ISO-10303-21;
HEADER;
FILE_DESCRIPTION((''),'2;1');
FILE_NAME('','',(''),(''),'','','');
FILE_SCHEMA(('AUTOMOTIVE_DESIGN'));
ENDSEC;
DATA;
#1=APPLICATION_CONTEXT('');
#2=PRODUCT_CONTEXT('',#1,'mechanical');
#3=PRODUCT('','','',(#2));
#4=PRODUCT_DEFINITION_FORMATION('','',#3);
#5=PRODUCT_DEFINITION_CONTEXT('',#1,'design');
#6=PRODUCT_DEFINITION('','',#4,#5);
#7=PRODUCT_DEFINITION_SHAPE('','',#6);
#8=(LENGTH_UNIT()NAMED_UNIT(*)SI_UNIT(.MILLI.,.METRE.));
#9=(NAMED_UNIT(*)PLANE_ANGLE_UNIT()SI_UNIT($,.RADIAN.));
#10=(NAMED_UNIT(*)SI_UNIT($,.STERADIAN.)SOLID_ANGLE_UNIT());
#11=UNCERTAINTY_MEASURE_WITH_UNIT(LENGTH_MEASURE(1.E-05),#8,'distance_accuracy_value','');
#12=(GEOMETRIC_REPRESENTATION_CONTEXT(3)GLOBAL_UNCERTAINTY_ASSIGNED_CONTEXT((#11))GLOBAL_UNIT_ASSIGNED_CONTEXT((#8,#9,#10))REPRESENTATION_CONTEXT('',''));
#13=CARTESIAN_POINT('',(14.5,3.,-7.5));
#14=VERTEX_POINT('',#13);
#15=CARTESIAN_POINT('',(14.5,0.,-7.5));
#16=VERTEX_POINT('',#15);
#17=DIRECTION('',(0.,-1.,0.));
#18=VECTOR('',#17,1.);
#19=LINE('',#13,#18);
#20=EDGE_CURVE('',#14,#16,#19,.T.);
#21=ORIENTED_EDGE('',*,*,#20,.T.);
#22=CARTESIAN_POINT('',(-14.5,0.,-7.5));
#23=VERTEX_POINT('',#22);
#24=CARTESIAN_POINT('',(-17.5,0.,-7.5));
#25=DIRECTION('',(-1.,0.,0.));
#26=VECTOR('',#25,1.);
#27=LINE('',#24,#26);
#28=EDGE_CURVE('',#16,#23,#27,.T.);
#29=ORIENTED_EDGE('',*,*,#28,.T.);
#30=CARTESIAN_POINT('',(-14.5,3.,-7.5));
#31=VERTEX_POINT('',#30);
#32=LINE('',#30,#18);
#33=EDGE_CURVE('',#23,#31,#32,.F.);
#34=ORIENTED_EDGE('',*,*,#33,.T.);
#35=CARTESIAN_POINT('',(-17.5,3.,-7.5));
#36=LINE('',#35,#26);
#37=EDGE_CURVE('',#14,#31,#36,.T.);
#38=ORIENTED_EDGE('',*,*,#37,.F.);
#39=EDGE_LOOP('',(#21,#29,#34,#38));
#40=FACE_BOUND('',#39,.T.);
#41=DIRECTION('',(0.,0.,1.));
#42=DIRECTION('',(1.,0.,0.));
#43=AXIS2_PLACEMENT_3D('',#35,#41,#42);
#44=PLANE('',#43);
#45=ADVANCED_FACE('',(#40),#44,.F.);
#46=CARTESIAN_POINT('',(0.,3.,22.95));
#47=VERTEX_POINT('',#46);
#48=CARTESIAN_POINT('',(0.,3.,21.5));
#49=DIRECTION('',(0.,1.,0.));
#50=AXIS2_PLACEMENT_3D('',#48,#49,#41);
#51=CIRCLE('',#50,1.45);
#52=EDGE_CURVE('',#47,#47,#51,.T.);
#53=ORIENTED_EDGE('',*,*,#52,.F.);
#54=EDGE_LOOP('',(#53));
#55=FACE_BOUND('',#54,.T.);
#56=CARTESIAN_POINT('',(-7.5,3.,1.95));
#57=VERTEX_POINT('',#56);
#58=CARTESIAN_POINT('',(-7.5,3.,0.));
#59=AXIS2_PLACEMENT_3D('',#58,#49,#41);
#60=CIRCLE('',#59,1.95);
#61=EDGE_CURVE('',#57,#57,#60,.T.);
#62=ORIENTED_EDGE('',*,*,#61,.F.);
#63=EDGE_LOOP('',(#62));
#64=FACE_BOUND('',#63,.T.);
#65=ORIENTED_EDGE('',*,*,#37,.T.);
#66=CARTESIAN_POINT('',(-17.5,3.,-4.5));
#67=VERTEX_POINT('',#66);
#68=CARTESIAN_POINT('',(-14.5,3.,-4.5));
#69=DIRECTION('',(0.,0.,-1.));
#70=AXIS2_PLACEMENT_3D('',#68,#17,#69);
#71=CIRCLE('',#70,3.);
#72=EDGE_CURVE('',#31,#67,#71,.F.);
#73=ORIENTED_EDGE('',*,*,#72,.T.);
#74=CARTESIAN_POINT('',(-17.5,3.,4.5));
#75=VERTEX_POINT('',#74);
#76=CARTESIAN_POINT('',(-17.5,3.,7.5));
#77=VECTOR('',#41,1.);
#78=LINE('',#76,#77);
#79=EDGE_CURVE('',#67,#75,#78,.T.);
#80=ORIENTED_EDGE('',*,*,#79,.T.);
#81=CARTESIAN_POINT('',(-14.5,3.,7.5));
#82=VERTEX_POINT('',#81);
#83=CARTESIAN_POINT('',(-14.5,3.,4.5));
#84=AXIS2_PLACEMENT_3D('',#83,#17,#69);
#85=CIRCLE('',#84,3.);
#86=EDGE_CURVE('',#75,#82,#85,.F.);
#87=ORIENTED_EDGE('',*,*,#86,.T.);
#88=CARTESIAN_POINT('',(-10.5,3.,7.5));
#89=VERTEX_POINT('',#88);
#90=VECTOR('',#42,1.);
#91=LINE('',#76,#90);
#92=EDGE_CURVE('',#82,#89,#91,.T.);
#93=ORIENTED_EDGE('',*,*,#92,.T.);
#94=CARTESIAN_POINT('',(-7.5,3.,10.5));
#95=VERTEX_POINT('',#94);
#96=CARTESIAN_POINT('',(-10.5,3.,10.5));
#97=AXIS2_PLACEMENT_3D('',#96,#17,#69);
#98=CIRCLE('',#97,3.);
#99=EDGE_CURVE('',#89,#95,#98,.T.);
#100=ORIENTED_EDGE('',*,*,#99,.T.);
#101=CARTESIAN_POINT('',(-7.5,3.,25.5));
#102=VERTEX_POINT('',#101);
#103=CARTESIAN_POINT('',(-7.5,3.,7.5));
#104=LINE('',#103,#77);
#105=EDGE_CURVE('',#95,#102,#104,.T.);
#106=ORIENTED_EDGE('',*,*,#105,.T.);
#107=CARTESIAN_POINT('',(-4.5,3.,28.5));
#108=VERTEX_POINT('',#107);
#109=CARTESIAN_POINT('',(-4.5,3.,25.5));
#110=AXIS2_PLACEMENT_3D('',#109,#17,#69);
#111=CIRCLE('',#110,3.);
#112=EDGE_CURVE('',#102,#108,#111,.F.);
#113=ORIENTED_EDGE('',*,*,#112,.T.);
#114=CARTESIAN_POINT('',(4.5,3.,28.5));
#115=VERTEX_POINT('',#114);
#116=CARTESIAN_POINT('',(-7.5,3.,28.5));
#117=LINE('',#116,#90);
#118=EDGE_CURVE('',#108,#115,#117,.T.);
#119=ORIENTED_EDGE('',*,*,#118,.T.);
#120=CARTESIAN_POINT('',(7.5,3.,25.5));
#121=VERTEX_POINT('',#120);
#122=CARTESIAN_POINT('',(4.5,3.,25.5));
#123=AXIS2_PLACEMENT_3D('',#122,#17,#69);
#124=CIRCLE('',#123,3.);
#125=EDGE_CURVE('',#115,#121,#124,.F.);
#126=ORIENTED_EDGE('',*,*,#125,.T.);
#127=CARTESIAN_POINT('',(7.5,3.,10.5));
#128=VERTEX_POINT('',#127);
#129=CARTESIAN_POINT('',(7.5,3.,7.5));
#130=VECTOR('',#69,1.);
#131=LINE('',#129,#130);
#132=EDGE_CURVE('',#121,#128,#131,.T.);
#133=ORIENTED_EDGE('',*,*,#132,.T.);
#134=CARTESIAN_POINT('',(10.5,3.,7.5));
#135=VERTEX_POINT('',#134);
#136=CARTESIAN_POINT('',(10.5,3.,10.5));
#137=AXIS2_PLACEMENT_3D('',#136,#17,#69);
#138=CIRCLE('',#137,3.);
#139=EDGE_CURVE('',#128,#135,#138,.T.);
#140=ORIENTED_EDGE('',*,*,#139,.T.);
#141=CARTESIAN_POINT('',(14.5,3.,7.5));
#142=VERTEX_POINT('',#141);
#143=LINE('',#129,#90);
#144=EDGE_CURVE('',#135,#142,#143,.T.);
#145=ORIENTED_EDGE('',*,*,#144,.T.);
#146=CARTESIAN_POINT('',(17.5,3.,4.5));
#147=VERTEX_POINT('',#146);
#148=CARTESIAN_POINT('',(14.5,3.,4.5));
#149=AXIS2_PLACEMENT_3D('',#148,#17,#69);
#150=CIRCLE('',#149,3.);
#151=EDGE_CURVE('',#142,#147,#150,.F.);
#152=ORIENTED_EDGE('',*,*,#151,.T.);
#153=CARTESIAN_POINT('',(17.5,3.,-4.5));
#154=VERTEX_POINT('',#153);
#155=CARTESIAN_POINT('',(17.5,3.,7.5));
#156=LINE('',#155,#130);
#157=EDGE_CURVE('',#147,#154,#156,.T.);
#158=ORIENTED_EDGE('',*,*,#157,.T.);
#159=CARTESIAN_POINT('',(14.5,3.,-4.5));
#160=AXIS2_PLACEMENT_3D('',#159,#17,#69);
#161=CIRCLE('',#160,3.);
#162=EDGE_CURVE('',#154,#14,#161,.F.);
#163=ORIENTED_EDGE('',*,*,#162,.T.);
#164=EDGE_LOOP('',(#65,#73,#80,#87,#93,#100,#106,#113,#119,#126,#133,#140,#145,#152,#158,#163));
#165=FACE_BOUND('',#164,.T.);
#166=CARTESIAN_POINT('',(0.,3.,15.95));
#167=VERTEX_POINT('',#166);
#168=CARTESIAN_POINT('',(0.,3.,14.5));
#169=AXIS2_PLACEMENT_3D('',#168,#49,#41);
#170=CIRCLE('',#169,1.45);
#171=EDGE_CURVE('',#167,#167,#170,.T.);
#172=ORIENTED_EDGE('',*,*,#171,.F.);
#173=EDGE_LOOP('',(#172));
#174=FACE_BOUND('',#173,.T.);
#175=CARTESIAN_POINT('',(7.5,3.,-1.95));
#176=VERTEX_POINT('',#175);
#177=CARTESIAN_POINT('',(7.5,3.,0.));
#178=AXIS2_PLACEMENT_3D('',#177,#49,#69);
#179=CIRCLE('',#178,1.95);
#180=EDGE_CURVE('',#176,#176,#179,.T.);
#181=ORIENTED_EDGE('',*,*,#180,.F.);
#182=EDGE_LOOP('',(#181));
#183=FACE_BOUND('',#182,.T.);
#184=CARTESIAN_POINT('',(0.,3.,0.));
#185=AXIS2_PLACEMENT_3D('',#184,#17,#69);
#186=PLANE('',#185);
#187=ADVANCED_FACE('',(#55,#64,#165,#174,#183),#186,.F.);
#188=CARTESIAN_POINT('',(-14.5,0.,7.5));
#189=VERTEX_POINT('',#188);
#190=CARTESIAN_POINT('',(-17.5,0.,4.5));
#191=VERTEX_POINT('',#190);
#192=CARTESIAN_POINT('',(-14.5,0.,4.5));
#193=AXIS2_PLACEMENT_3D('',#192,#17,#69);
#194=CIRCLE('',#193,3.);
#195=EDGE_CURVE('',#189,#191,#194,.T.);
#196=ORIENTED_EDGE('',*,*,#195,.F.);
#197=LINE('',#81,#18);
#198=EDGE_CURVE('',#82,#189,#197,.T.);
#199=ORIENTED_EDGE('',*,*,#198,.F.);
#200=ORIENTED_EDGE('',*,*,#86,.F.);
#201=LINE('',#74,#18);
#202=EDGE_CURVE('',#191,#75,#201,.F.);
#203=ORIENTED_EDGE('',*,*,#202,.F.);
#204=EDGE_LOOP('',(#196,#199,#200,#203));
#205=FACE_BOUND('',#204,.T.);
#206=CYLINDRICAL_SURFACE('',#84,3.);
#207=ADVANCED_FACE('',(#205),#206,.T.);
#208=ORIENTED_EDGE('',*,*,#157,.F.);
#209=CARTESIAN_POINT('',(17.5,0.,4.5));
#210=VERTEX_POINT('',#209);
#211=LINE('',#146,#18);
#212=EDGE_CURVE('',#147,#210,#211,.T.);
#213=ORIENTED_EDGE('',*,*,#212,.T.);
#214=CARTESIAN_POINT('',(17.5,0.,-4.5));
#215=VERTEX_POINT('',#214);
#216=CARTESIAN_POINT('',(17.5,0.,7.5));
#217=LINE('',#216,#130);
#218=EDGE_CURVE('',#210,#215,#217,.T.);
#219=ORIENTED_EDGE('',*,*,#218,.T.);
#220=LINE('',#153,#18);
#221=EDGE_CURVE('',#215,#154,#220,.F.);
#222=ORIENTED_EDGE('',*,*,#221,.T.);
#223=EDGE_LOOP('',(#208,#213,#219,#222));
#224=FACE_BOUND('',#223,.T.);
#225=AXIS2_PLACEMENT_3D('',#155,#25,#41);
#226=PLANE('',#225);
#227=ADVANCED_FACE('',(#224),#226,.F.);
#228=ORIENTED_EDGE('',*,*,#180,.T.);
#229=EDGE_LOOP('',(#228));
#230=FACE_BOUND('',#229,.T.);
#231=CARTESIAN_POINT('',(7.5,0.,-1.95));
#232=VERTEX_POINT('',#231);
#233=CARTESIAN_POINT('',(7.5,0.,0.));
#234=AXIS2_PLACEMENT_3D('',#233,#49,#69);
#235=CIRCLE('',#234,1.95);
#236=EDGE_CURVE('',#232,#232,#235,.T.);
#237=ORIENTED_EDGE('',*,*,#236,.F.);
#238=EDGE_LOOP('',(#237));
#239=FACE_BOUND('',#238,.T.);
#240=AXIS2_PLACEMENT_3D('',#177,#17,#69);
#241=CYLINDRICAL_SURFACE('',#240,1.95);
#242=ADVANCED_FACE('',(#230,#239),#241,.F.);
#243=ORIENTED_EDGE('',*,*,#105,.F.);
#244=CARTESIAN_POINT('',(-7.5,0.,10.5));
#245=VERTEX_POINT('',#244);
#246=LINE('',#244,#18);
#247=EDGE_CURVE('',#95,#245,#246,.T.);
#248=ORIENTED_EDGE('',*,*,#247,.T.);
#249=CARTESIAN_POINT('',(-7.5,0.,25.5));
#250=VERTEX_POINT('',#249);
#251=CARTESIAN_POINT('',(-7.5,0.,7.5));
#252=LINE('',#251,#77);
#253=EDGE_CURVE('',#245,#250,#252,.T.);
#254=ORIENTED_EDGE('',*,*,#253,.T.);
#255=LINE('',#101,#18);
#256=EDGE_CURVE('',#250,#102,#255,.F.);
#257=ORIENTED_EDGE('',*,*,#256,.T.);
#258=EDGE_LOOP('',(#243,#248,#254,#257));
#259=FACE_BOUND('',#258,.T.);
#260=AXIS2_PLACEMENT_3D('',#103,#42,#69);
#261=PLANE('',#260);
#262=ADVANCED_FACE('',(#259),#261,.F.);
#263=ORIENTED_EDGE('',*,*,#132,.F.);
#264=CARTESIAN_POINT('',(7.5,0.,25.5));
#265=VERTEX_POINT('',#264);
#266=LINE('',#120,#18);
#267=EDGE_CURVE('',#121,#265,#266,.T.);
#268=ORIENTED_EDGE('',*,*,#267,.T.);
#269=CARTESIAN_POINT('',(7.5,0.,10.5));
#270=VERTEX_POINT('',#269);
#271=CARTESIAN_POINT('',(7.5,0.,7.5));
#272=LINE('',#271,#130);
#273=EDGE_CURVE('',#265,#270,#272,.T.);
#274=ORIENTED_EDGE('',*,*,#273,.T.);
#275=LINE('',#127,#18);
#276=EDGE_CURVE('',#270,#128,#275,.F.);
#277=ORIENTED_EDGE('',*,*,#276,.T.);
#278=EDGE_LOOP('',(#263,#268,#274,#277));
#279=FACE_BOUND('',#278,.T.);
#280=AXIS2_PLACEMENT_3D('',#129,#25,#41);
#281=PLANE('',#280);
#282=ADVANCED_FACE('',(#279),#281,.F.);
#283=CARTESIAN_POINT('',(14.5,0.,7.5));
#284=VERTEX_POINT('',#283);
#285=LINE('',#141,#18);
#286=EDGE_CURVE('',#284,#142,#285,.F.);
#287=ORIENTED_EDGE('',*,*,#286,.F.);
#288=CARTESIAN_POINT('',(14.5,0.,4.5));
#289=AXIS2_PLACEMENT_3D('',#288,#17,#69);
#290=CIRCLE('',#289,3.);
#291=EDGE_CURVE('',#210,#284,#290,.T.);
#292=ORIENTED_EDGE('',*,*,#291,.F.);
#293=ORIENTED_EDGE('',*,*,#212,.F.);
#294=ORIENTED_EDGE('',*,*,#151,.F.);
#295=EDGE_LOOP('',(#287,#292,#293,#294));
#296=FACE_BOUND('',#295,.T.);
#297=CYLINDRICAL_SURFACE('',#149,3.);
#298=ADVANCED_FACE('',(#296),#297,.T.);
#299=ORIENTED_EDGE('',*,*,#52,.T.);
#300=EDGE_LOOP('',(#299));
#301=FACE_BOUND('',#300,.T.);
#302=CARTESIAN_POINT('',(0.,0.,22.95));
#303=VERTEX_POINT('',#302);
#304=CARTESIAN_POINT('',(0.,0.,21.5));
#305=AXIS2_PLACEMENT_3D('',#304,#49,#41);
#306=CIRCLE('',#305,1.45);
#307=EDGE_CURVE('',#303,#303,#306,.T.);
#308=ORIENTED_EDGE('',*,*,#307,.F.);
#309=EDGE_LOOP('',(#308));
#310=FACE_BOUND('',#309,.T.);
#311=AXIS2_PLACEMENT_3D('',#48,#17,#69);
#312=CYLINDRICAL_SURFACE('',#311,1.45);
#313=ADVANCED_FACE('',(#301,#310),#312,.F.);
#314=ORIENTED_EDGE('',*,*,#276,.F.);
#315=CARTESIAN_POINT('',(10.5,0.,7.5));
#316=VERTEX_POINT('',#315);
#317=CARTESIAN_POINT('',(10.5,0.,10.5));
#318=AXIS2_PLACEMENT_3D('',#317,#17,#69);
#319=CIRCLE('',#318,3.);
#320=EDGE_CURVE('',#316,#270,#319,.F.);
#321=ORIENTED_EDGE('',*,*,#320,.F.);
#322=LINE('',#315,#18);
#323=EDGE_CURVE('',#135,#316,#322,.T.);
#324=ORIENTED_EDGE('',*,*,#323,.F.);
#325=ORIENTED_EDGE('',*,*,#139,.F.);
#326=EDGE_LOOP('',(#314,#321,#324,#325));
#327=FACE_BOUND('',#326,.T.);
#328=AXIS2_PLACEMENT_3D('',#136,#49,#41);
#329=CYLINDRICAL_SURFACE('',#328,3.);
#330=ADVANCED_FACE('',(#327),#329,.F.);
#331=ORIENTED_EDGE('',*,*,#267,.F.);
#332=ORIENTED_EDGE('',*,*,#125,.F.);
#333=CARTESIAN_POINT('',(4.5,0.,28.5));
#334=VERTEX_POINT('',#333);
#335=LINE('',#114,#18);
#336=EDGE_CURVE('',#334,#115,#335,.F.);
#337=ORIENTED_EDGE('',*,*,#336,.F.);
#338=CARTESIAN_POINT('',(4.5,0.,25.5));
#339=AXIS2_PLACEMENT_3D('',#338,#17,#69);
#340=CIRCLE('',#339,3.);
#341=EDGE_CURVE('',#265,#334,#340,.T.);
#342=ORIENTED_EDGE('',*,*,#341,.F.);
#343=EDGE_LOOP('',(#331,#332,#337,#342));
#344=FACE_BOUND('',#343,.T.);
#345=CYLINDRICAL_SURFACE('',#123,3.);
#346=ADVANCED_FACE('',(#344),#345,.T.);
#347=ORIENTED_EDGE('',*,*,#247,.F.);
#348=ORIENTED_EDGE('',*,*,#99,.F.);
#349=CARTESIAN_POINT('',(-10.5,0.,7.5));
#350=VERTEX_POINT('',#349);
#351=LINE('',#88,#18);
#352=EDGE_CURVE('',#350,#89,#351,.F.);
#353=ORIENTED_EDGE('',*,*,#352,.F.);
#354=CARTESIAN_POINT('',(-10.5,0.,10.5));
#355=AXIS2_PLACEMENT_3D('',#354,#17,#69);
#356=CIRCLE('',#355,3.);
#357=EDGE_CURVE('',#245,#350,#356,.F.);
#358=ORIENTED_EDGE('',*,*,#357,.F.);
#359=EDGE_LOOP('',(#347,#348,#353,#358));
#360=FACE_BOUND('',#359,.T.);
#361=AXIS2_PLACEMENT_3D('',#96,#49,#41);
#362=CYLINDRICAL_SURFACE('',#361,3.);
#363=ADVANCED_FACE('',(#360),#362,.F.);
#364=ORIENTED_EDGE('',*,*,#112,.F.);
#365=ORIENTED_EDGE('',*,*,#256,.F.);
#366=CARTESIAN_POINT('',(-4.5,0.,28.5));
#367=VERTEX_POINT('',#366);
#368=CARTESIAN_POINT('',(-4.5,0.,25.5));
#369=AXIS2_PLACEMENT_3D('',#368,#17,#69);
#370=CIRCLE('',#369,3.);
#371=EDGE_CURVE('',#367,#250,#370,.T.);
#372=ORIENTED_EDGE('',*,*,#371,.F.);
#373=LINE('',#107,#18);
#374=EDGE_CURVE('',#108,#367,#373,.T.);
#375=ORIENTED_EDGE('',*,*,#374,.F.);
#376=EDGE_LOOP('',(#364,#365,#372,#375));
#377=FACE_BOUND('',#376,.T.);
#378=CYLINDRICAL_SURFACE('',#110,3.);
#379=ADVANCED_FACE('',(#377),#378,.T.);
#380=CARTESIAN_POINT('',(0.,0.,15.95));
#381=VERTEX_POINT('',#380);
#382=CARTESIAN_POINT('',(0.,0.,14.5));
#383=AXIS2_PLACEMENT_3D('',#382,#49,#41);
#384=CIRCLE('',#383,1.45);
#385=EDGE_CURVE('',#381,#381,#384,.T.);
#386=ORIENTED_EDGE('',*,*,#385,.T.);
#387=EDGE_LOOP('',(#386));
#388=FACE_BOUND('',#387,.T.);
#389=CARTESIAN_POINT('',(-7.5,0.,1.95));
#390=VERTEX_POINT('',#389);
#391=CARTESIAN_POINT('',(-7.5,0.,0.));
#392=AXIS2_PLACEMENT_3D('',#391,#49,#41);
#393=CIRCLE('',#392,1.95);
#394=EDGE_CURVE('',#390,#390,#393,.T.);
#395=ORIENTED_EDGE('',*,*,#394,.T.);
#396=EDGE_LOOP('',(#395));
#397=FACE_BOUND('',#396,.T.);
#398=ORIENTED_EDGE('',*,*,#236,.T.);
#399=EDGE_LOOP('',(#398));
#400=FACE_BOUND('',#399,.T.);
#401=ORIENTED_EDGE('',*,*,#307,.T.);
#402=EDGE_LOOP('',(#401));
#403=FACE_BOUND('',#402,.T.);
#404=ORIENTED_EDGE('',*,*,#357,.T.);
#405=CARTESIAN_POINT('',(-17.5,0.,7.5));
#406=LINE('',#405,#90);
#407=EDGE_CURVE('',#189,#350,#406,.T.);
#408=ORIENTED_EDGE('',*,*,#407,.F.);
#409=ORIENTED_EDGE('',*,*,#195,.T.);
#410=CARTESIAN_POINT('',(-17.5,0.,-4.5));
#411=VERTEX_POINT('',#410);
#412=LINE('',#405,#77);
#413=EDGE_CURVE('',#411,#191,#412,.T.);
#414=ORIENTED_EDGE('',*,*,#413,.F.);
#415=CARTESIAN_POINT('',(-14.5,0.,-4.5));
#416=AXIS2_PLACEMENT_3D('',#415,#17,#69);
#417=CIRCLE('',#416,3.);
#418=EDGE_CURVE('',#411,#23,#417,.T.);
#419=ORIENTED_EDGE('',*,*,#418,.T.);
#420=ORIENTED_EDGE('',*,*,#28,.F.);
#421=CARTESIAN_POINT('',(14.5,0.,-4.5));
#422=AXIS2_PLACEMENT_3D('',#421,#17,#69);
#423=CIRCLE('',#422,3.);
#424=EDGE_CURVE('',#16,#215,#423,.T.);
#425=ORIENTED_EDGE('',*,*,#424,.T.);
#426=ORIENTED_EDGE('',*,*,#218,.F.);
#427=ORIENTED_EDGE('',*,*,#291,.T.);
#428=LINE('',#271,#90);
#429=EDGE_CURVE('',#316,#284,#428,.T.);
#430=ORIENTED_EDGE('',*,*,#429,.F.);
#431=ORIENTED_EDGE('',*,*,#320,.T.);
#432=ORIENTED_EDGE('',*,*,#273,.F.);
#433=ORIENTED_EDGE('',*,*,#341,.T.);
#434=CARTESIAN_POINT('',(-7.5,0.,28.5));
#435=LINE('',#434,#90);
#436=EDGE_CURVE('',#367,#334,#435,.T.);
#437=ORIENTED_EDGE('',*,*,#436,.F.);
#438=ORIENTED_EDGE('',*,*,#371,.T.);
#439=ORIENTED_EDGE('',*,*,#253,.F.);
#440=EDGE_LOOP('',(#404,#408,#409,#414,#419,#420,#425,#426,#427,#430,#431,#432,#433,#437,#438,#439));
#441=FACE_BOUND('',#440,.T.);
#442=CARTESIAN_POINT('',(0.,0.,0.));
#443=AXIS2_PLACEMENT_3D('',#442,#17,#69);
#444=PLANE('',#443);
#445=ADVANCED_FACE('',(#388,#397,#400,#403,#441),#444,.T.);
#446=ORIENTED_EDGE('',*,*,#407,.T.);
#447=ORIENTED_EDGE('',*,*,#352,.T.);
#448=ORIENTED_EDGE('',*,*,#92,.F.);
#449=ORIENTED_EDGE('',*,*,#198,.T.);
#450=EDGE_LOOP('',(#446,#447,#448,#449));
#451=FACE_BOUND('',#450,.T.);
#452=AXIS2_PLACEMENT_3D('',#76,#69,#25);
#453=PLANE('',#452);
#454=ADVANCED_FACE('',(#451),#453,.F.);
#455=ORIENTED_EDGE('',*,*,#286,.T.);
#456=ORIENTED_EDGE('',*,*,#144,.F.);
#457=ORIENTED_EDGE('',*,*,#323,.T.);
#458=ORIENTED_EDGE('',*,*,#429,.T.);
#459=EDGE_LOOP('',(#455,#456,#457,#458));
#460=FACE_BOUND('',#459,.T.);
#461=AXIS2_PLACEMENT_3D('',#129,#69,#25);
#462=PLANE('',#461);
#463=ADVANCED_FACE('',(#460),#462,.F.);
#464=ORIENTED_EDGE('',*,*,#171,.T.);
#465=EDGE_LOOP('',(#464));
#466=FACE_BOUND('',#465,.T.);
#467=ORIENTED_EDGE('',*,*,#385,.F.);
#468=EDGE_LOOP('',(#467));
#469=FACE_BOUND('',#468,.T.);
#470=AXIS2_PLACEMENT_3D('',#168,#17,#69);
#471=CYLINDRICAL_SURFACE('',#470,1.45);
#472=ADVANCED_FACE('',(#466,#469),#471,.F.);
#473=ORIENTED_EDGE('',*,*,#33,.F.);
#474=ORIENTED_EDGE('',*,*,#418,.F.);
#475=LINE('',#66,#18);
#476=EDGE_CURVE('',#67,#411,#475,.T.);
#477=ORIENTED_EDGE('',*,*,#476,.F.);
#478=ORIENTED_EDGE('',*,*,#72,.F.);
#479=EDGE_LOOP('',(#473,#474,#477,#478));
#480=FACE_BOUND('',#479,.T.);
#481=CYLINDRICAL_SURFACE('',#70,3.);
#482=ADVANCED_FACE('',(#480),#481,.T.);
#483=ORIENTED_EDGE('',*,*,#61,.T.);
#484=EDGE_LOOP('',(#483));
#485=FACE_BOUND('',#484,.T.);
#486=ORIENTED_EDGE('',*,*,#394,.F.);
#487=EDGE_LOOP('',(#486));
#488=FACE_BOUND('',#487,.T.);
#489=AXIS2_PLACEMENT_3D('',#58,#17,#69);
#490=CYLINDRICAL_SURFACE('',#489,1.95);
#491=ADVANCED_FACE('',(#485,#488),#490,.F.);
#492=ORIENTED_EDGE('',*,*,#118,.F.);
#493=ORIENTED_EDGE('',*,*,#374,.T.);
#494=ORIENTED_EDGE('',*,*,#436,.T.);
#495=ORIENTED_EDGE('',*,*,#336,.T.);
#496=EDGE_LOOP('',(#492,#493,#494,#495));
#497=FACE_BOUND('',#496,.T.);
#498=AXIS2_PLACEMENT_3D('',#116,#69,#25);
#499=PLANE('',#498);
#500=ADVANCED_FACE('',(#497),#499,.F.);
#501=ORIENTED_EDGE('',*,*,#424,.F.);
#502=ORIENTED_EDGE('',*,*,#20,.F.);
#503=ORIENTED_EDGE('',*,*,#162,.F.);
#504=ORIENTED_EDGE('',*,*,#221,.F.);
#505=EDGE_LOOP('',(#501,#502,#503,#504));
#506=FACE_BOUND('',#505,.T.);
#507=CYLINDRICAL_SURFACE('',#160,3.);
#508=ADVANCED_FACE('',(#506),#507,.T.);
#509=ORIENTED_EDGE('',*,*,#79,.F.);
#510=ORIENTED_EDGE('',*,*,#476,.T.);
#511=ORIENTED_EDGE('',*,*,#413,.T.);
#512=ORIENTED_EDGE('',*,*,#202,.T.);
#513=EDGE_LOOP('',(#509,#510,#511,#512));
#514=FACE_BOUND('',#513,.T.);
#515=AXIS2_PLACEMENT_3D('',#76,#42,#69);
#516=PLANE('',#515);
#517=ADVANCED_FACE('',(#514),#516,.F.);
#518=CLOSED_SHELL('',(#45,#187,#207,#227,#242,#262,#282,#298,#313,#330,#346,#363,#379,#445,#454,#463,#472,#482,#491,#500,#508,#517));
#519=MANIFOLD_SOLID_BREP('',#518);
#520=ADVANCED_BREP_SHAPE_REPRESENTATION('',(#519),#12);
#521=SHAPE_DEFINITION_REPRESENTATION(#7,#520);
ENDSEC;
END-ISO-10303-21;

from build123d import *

# Parameters (mm, degrees)
SKETCH_1_R      = 1.45
SKETCH_1_R_2    = 1.95
EXTRUDE_1_DEPTH = 3
FILLET_2_R      = 3


with BuildPart() as part:
    # 草图1 → 凸台-拉伸1 (new body)
    with BuildSketch(Plane(origin=(0, 0, 0), x_dir=(1, 0, 0), z_dir=(0, 1, 0))):
        Polygon((-17.5, -7.5), (-17.5, 7.5), (17.5, 7.5), (17.5, -7.5), (7.5, -7.5), (7.5, -28.5), (-7.5, -28.5), (-7.5, -7.5), align=None)
        with Locations(Location((0, -14.5, 0), (0, 0, 270))):
            Circle(SKETCH_1_R, mode=Mode.SUBTRACT)
        with Locations(Location((0, -21.5, 0), (0, 0, 270))):
            Circle(SKETCH_1_R, mode=Mode.SUBTRACT)
        with Locations(Location((-7.5, 0, 0), (0, 0, 270))):
            Circle(SKETCH_1_R_2, mode=Mode.SUBTRACT)
        with Locations(Location((7.5, 0, 0), (0, 0, 90))):
            Circle(SKETCH_1_R_2, mode=Mode.SUBTRACT)
    extrude(amount=EXTRUDE_1_DEPTH)

    # 圆角2
    fillet_2_edges = [part.edges().sort_by_distance(p)[0] for p in [
        (17.5, 1.5, 7.5),
        (7.5, 1.5, 7.5),
        (7.5, 1.5, 28.5),
        (-7.5, 1.5, 28.5),
        (-7.5, 1.5, 7.5),
        (-17.5, 1.5, 7.5),
        (-17.5, 1.5, -7.5),
        (17.5, 1.5, -7.5),
    ]]
    fillet(fillet_2_edges, radius=FILLET_2_R)


solid = part.part
